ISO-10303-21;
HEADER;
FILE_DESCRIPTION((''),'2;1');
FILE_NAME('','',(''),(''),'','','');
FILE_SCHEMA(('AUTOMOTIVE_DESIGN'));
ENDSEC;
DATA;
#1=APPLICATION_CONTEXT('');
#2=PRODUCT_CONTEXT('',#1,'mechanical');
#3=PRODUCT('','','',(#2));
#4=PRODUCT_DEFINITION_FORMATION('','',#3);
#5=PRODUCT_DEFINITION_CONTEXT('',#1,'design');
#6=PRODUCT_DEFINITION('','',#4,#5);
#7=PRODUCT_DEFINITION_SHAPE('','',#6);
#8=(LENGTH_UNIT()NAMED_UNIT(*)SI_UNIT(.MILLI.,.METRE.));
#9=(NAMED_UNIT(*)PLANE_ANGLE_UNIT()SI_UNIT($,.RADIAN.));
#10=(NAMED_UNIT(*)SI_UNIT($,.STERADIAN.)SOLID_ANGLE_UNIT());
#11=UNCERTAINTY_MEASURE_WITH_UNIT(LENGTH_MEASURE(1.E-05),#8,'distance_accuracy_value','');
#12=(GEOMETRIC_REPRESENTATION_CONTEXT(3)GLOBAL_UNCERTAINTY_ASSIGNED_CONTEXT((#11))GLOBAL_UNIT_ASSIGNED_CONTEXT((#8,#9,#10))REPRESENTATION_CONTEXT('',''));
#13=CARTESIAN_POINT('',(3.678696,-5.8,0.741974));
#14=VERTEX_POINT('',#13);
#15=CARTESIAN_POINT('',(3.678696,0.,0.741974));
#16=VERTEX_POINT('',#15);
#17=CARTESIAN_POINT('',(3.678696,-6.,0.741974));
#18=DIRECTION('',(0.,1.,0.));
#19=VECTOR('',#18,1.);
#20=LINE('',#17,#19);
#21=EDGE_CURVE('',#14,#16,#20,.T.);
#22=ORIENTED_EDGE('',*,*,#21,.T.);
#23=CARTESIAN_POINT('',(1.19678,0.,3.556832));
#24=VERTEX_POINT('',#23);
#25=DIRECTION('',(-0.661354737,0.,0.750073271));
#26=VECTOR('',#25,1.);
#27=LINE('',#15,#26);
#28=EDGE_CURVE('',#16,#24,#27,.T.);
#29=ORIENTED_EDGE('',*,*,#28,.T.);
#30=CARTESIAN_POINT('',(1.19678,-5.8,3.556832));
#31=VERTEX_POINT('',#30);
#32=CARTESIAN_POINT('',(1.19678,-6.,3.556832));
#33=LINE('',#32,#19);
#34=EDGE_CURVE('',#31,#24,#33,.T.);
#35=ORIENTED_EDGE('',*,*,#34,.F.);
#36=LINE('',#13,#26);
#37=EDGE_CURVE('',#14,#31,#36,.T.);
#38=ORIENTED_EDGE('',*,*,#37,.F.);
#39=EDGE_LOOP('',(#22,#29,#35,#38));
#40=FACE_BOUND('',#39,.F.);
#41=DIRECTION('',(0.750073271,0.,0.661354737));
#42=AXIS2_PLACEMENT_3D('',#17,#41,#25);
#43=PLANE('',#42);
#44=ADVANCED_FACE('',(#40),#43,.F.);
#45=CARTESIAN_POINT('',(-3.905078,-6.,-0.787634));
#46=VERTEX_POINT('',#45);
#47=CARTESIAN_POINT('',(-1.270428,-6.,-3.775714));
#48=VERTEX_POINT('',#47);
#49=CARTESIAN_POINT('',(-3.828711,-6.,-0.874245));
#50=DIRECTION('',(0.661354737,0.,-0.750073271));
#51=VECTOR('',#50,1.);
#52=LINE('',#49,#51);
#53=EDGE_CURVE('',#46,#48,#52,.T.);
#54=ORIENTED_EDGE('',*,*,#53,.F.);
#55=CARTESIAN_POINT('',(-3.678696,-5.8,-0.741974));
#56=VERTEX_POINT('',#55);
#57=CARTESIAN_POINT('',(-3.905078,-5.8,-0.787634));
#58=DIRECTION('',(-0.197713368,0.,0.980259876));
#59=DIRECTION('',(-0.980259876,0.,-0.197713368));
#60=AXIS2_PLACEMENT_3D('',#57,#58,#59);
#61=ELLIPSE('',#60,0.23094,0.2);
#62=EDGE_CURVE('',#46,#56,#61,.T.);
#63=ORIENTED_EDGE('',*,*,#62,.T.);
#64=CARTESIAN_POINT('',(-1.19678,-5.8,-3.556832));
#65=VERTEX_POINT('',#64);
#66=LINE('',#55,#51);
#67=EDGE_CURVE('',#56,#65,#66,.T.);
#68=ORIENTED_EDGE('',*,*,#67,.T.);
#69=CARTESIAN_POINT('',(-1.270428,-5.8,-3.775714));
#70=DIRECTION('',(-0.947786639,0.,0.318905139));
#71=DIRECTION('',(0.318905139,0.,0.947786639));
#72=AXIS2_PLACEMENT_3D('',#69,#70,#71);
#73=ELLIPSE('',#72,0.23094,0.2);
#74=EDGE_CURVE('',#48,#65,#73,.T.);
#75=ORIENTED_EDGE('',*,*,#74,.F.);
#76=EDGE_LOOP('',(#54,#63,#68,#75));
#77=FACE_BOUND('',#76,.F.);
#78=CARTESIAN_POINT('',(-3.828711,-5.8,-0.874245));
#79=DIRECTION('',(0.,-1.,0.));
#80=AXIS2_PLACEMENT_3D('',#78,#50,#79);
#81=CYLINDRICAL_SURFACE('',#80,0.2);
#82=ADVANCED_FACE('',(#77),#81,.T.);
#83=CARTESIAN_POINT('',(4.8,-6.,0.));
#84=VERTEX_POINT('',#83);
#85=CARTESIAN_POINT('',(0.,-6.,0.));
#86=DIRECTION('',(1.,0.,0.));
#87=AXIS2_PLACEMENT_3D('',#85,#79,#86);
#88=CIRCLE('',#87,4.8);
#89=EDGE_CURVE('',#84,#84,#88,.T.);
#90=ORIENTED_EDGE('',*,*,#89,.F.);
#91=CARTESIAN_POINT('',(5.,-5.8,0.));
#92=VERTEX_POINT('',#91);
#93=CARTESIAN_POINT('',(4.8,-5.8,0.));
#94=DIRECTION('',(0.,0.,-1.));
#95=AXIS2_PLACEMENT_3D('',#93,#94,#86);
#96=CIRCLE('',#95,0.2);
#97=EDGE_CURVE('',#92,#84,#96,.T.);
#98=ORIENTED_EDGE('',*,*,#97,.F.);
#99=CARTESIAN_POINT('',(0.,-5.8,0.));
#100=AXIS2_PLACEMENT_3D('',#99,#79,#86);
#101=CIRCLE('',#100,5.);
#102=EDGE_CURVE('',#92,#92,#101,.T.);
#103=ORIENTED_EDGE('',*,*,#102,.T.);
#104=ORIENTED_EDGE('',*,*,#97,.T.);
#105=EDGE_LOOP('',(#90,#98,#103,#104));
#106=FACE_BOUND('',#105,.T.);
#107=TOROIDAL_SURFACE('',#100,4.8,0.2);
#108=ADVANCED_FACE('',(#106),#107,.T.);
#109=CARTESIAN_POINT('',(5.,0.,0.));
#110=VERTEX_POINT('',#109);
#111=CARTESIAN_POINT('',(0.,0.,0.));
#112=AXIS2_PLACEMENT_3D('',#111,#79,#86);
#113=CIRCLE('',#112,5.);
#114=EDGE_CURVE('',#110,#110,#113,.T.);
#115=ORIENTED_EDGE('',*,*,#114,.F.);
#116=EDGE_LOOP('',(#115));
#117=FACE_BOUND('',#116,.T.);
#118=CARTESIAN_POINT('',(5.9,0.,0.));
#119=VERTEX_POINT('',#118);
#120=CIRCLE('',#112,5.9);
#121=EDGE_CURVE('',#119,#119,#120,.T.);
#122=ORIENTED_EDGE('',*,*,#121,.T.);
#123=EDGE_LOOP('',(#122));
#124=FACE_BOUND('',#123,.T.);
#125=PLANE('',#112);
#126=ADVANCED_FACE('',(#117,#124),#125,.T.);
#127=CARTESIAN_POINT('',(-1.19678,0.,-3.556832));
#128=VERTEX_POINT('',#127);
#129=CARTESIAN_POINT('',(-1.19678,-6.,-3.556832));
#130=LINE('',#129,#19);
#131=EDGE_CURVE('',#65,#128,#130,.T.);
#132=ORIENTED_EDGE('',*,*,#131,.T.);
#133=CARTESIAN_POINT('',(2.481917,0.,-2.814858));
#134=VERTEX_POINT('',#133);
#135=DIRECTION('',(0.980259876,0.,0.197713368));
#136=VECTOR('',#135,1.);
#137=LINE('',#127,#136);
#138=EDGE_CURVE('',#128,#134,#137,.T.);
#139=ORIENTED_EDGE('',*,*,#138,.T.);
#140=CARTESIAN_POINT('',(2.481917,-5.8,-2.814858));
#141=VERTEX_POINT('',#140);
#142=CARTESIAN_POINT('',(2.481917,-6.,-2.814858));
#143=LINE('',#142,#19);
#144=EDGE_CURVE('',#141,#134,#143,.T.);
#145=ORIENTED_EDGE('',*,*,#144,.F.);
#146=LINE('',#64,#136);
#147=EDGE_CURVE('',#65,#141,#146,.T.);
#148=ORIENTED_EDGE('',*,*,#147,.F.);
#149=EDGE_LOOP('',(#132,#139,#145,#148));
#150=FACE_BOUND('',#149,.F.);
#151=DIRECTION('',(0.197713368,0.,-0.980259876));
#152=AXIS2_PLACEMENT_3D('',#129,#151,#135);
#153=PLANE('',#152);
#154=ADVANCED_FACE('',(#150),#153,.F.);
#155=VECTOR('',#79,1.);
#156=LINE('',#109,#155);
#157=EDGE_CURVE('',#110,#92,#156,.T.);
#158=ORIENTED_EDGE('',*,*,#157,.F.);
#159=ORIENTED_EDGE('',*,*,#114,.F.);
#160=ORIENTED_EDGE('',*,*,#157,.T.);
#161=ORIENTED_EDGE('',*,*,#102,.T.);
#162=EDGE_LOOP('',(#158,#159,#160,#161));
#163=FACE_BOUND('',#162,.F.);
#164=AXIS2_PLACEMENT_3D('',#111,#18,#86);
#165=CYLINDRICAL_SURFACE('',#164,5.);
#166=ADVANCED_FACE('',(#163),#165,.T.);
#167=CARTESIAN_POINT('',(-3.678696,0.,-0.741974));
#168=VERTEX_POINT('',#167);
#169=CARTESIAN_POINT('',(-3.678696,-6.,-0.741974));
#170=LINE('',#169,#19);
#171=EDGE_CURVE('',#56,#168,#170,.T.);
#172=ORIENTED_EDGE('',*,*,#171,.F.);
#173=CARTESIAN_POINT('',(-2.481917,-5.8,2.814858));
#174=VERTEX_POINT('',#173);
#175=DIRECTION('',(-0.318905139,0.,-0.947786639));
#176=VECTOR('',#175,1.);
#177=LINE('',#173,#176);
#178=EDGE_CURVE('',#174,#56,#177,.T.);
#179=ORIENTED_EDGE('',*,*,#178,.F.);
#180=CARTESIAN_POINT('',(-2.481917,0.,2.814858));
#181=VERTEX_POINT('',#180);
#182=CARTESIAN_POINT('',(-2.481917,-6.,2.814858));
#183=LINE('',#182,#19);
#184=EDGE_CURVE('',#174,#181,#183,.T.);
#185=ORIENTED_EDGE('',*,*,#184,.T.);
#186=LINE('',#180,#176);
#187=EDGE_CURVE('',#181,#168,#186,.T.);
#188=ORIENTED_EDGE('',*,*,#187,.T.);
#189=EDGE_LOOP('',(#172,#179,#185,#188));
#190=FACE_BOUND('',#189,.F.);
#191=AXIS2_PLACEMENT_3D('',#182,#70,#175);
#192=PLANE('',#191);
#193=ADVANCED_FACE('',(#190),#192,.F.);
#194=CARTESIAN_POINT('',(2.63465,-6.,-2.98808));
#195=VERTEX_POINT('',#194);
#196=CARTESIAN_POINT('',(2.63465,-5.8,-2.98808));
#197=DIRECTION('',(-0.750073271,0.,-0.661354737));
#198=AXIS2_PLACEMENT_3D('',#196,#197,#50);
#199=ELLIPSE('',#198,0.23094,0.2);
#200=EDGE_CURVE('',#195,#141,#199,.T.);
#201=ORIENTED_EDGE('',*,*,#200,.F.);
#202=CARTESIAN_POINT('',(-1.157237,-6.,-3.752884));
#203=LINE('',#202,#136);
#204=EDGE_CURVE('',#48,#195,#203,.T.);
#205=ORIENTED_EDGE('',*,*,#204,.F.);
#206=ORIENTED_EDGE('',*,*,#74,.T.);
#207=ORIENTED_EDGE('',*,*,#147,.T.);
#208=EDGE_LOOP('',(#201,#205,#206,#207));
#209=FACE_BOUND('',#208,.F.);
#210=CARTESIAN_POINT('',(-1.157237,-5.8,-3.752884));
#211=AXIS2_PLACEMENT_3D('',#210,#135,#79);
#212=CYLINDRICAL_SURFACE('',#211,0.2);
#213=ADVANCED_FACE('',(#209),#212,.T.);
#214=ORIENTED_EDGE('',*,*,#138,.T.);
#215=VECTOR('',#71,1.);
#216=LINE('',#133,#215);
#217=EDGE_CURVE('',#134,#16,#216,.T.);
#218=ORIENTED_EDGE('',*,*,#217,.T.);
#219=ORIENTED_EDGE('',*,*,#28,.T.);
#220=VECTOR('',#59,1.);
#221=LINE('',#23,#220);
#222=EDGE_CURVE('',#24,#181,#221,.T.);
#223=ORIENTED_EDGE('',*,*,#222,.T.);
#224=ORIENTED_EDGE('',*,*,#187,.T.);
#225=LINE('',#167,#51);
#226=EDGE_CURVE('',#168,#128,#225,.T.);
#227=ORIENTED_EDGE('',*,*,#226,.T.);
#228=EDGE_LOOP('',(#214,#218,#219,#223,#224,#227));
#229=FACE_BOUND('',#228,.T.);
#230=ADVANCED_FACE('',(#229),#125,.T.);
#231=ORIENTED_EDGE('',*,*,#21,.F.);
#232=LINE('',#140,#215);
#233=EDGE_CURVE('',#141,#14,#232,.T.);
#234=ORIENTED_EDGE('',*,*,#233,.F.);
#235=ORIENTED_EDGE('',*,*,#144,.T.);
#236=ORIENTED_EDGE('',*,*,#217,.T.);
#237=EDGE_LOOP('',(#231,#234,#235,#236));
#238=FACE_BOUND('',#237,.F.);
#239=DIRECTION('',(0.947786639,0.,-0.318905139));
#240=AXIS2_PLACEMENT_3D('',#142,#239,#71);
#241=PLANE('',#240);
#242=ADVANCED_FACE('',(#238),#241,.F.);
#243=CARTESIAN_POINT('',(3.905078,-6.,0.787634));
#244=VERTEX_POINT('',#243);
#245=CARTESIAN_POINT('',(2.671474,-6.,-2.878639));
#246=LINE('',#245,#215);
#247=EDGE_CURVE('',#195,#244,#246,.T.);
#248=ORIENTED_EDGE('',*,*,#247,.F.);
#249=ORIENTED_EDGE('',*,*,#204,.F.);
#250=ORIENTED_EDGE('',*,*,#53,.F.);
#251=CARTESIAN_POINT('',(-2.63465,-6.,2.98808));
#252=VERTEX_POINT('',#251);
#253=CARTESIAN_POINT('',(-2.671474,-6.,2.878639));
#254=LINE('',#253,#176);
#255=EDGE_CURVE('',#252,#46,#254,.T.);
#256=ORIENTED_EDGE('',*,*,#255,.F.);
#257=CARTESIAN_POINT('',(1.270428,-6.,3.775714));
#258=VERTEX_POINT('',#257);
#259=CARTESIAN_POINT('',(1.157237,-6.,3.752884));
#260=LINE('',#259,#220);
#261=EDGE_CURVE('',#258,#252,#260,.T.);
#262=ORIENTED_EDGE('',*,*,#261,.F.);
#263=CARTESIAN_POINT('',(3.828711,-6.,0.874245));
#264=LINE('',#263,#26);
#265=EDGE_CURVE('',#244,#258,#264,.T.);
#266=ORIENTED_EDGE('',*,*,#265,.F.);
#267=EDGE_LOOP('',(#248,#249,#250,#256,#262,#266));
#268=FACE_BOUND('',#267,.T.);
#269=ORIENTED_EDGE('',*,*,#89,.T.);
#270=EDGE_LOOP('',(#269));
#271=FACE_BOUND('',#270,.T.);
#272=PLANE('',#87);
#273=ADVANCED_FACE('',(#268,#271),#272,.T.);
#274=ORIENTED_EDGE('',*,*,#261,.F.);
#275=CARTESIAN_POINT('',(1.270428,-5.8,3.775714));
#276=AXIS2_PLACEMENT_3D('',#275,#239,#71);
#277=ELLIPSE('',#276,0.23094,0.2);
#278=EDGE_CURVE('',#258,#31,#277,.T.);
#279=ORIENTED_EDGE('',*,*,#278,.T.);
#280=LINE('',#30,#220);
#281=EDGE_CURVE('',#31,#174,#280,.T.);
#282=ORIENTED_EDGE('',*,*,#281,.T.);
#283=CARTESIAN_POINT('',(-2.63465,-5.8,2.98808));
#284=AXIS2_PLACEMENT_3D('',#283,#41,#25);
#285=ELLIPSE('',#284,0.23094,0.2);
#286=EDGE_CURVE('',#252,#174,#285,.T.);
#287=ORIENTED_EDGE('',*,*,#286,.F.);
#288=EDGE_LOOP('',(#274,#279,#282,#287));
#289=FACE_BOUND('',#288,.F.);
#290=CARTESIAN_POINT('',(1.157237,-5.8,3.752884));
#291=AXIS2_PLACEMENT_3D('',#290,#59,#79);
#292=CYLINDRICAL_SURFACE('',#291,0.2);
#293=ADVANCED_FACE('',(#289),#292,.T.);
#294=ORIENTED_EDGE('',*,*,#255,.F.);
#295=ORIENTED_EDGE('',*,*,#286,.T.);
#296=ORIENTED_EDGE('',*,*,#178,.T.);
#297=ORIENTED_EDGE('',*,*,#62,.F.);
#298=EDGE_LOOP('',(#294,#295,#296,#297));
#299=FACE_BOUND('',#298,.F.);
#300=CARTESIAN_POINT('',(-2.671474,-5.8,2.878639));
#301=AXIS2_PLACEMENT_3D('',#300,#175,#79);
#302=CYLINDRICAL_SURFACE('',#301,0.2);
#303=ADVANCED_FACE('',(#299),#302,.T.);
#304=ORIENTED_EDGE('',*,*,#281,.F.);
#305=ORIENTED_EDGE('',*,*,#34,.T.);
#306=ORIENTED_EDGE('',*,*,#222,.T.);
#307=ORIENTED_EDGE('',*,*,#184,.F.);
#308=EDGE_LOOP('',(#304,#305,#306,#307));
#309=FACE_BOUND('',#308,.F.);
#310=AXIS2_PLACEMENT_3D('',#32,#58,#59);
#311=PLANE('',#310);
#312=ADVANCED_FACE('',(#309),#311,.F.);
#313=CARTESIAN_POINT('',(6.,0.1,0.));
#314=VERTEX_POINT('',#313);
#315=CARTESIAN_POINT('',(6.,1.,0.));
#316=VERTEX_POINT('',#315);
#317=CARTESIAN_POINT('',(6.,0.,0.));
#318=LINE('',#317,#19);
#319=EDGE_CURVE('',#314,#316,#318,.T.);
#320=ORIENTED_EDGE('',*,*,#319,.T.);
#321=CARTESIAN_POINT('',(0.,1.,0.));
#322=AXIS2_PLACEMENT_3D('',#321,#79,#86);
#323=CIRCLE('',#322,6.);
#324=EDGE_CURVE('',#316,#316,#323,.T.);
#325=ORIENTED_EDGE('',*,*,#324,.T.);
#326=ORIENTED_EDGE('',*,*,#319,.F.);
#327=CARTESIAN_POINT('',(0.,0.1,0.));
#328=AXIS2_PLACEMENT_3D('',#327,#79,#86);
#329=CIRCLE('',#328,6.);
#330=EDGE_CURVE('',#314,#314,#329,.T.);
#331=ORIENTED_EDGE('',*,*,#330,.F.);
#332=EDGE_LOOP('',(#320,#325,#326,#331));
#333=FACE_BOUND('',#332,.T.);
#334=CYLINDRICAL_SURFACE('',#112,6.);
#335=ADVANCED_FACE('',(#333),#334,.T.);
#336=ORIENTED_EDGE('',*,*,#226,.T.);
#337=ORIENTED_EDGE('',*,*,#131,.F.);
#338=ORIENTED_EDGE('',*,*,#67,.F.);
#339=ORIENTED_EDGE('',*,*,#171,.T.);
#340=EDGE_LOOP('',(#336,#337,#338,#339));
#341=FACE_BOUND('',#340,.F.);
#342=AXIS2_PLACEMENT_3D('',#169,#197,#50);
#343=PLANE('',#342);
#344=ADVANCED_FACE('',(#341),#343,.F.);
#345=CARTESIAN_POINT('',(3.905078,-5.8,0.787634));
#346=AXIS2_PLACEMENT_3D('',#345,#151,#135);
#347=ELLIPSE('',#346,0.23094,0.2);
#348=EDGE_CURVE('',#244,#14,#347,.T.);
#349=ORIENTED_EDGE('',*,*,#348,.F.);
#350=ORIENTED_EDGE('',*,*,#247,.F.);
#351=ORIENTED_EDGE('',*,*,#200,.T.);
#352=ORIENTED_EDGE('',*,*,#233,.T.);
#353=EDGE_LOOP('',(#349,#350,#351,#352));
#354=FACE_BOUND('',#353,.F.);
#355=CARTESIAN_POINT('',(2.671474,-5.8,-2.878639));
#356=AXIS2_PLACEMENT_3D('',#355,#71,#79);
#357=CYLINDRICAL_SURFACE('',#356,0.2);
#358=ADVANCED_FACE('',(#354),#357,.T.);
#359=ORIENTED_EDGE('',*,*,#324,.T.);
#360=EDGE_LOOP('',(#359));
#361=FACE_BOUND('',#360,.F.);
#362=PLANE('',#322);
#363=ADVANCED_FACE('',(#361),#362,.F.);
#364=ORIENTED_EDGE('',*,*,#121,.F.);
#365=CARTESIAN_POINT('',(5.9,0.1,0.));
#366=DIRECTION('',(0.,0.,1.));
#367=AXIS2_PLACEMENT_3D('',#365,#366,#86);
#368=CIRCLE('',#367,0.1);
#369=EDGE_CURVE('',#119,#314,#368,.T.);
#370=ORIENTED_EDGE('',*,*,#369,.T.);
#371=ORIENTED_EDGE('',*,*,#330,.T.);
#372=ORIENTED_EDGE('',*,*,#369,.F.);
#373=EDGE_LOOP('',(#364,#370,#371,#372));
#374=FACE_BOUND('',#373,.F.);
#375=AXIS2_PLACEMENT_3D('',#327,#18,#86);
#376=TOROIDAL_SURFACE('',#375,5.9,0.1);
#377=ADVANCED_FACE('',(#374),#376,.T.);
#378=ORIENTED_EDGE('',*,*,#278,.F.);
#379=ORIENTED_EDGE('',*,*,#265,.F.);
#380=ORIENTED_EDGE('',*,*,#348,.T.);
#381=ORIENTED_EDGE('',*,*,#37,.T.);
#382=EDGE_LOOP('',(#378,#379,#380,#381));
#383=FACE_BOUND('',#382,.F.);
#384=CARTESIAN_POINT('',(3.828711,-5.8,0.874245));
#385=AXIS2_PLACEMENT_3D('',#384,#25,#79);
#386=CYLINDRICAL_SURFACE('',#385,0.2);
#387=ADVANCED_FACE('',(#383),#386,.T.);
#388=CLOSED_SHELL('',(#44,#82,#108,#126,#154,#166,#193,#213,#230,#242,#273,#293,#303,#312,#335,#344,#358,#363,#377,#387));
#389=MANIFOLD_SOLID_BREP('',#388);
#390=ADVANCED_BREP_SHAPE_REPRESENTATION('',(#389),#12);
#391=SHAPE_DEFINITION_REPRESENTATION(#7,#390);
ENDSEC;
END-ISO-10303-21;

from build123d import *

# Parameters (mm, degrees)
F0_R     = 6
F1_DEPTH = 1
F2_R     = 5
F3_DEPTH = 6
F5_DEPTH = 6
F6_R     = 0.2
F7_R     = 0.1


with BuildPart() as f1:
    # F0 (on Front) → F1 (new body)
    with BuildSketch(Plane.XZ):
        Circle(F0_R)
    extrude(amount=-F1_DEPTH)

    # F2 (on face) → F3 (join)
    with BuildSketch(Plane.XZ):
        Circle(F2_R)
    extrude(amount=F3_DEPTH)

    # F4 (on face) → F5 (cut)
    with BuildSketch(Plane.XZ.offset(6)):
        Polygon((3.6786964709, 0.7419741291), (1.1967797907, 3.5568316612), (-2.4819166802, 2.8148575321), (-3.6786964709, -0.7419741291), (-1.1967797907, -3.5568316612), (2.4819166802, -2.8148575321), align=None)
    extrude(amount=-F5_DEPTH, mode=Mode.SUBTRACT)

    # F6
    f6_edges = [f1.edges().sort_by_distance(p)[0] for p in [
        (-5, -6, 0),
        (0.642568, -6, -3.185845),
        (3.080307, -6, -1.036442),
        (2.437738, -6, 2.149403),
        (-0.642568, -6, 3.185845),
        (-3.080307, -6, 1.036442),
        (-2.437738, -6, -2.149403),
    ]]
    fillet(f6_edges, radius=F6_R)

    # F7
    f7_edges = [f1.edges().sort_by_distance(p)[0] for p in [
        (-6, 0, 0),
    ]]
    fillet(f7_edges, radius=F7_R)


solid = f1.part
